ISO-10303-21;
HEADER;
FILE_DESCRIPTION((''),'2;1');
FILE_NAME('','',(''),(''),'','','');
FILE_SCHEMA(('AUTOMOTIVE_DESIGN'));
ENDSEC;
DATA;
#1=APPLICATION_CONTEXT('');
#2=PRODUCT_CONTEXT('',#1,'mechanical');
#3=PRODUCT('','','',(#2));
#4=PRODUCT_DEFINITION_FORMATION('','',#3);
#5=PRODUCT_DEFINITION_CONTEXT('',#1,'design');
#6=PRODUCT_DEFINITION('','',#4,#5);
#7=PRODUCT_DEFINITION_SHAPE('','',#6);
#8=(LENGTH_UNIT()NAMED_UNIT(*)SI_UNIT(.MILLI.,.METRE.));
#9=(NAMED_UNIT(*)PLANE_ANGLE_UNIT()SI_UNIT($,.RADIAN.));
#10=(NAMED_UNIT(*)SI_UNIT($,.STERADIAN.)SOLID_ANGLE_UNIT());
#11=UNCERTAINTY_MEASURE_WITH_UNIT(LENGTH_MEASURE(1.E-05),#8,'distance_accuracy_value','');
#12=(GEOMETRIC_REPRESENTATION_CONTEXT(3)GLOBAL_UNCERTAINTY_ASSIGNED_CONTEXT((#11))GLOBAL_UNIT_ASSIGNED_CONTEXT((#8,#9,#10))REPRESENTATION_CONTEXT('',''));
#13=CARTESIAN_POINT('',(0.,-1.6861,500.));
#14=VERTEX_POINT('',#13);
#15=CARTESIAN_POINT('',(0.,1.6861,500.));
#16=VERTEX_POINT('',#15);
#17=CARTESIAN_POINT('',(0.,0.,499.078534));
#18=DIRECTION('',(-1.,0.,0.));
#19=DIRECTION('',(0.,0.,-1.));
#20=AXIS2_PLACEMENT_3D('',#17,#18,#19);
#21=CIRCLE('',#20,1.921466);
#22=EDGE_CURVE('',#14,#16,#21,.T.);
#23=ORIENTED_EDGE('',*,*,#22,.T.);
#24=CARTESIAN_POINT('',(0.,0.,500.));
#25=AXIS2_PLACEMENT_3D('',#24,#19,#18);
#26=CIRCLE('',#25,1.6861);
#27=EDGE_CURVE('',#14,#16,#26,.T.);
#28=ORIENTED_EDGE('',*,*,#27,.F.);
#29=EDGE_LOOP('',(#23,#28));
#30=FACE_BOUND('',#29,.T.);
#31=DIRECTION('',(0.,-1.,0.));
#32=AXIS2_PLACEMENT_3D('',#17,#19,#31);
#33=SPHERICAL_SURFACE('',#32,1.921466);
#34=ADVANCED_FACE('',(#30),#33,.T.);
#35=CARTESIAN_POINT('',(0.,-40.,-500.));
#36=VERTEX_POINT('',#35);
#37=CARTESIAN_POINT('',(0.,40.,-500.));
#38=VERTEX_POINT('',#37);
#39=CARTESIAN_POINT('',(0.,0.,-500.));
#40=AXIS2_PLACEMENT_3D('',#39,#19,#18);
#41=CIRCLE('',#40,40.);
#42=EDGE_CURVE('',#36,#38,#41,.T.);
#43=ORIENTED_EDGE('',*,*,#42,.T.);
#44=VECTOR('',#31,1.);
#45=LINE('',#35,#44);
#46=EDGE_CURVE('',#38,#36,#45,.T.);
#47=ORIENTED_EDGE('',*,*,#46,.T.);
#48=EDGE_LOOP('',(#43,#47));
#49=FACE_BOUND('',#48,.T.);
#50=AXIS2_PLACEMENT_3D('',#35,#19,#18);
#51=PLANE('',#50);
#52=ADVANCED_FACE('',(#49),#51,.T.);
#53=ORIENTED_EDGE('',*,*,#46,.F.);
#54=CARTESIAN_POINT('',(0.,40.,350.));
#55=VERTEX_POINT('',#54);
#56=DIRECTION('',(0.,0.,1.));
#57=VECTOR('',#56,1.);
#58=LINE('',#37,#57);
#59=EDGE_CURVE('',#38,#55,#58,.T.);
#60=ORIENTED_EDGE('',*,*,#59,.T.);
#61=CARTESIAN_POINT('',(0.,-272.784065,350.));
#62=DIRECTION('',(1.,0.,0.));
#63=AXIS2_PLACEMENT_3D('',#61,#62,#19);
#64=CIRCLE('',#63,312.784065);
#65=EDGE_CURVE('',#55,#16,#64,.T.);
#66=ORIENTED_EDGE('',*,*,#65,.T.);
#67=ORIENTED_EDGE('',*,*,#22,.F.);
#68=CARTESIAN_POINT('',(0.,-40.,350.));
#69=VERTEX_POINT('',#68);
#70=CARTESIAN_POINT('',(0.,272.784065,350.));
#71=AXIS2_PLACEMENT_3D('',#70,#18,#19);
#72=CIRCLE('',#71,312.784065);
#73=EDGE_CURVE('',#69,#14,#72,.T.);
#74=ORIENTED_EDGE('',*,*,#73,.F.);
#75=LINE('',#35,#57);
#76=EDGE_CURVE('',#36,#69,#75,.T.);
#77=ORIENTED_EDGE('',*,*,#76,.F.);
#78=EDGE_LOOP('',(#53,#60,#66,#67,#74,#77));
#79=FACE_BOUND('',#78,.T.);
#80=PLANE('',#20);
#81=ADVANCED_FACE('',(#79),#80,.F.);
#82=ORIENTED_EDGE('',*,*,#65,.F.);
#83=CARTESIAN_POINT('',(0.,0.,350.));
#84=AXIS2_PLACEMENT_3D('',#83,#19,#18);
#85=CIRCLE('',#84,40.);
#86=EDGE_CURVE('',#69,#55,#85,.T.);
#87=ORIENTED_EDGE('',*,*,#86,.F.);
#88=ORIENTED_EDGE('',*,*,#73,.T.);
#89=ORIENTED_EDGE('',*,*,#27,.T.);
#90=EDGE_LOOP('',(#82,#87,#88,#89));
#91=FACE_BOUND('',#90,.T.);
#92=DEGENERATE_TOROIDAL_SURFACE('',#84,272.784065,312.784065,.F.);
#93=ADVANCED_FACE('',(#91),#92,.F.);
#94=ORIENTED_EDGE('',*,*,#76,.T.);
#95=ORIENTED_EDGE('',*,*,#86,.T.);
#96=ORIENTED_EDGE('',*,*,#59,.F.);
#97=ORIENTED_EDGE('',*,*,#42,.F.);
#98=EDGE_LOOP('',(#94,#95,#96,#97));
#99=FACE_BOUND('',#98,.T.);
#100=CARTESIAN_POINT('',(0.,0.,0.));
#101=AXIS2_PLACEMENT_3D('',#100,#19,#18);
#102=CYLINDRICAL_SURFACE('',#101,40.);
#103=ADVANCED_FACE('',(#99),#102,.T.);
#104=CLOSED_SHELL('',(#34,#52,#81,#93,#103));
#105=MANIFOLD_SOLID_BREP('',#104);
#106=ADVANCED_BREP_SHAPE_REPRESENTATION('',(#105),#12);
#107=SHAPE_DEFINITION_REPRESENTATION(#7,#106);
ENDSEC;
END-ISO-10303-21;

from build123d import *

# Parameters (mm, degrees)
REVOLVE1_ANGLE = 180


with BuildPart() as part:
    # Sketch1 → Revolve1 (revolve)
    with BuildSketch(Plane(origin=(0, 0, 0), x_dir=(0, 0, -1), z_dir=(1, 0, 0))):
        with BuildLine():
            Line((500, 40), (-350, 40))
            ThreePointArc((-350, 40), (-427.407937183, 30.270191823), (-500, 1.68609971))
            ThreePointArc((-500, 1.68609971), (-500.73119809, 0.980169913), (-501, 0))
            Line((-501, 0), (500, 0))
            Line((500, 0), (500, 40))
        make_face()
    revolve(axis=Axis((0, 0, 0), (0, 0, 1)), revolution_arc=REVOLVE1_ANGLE)


solid = part.part
